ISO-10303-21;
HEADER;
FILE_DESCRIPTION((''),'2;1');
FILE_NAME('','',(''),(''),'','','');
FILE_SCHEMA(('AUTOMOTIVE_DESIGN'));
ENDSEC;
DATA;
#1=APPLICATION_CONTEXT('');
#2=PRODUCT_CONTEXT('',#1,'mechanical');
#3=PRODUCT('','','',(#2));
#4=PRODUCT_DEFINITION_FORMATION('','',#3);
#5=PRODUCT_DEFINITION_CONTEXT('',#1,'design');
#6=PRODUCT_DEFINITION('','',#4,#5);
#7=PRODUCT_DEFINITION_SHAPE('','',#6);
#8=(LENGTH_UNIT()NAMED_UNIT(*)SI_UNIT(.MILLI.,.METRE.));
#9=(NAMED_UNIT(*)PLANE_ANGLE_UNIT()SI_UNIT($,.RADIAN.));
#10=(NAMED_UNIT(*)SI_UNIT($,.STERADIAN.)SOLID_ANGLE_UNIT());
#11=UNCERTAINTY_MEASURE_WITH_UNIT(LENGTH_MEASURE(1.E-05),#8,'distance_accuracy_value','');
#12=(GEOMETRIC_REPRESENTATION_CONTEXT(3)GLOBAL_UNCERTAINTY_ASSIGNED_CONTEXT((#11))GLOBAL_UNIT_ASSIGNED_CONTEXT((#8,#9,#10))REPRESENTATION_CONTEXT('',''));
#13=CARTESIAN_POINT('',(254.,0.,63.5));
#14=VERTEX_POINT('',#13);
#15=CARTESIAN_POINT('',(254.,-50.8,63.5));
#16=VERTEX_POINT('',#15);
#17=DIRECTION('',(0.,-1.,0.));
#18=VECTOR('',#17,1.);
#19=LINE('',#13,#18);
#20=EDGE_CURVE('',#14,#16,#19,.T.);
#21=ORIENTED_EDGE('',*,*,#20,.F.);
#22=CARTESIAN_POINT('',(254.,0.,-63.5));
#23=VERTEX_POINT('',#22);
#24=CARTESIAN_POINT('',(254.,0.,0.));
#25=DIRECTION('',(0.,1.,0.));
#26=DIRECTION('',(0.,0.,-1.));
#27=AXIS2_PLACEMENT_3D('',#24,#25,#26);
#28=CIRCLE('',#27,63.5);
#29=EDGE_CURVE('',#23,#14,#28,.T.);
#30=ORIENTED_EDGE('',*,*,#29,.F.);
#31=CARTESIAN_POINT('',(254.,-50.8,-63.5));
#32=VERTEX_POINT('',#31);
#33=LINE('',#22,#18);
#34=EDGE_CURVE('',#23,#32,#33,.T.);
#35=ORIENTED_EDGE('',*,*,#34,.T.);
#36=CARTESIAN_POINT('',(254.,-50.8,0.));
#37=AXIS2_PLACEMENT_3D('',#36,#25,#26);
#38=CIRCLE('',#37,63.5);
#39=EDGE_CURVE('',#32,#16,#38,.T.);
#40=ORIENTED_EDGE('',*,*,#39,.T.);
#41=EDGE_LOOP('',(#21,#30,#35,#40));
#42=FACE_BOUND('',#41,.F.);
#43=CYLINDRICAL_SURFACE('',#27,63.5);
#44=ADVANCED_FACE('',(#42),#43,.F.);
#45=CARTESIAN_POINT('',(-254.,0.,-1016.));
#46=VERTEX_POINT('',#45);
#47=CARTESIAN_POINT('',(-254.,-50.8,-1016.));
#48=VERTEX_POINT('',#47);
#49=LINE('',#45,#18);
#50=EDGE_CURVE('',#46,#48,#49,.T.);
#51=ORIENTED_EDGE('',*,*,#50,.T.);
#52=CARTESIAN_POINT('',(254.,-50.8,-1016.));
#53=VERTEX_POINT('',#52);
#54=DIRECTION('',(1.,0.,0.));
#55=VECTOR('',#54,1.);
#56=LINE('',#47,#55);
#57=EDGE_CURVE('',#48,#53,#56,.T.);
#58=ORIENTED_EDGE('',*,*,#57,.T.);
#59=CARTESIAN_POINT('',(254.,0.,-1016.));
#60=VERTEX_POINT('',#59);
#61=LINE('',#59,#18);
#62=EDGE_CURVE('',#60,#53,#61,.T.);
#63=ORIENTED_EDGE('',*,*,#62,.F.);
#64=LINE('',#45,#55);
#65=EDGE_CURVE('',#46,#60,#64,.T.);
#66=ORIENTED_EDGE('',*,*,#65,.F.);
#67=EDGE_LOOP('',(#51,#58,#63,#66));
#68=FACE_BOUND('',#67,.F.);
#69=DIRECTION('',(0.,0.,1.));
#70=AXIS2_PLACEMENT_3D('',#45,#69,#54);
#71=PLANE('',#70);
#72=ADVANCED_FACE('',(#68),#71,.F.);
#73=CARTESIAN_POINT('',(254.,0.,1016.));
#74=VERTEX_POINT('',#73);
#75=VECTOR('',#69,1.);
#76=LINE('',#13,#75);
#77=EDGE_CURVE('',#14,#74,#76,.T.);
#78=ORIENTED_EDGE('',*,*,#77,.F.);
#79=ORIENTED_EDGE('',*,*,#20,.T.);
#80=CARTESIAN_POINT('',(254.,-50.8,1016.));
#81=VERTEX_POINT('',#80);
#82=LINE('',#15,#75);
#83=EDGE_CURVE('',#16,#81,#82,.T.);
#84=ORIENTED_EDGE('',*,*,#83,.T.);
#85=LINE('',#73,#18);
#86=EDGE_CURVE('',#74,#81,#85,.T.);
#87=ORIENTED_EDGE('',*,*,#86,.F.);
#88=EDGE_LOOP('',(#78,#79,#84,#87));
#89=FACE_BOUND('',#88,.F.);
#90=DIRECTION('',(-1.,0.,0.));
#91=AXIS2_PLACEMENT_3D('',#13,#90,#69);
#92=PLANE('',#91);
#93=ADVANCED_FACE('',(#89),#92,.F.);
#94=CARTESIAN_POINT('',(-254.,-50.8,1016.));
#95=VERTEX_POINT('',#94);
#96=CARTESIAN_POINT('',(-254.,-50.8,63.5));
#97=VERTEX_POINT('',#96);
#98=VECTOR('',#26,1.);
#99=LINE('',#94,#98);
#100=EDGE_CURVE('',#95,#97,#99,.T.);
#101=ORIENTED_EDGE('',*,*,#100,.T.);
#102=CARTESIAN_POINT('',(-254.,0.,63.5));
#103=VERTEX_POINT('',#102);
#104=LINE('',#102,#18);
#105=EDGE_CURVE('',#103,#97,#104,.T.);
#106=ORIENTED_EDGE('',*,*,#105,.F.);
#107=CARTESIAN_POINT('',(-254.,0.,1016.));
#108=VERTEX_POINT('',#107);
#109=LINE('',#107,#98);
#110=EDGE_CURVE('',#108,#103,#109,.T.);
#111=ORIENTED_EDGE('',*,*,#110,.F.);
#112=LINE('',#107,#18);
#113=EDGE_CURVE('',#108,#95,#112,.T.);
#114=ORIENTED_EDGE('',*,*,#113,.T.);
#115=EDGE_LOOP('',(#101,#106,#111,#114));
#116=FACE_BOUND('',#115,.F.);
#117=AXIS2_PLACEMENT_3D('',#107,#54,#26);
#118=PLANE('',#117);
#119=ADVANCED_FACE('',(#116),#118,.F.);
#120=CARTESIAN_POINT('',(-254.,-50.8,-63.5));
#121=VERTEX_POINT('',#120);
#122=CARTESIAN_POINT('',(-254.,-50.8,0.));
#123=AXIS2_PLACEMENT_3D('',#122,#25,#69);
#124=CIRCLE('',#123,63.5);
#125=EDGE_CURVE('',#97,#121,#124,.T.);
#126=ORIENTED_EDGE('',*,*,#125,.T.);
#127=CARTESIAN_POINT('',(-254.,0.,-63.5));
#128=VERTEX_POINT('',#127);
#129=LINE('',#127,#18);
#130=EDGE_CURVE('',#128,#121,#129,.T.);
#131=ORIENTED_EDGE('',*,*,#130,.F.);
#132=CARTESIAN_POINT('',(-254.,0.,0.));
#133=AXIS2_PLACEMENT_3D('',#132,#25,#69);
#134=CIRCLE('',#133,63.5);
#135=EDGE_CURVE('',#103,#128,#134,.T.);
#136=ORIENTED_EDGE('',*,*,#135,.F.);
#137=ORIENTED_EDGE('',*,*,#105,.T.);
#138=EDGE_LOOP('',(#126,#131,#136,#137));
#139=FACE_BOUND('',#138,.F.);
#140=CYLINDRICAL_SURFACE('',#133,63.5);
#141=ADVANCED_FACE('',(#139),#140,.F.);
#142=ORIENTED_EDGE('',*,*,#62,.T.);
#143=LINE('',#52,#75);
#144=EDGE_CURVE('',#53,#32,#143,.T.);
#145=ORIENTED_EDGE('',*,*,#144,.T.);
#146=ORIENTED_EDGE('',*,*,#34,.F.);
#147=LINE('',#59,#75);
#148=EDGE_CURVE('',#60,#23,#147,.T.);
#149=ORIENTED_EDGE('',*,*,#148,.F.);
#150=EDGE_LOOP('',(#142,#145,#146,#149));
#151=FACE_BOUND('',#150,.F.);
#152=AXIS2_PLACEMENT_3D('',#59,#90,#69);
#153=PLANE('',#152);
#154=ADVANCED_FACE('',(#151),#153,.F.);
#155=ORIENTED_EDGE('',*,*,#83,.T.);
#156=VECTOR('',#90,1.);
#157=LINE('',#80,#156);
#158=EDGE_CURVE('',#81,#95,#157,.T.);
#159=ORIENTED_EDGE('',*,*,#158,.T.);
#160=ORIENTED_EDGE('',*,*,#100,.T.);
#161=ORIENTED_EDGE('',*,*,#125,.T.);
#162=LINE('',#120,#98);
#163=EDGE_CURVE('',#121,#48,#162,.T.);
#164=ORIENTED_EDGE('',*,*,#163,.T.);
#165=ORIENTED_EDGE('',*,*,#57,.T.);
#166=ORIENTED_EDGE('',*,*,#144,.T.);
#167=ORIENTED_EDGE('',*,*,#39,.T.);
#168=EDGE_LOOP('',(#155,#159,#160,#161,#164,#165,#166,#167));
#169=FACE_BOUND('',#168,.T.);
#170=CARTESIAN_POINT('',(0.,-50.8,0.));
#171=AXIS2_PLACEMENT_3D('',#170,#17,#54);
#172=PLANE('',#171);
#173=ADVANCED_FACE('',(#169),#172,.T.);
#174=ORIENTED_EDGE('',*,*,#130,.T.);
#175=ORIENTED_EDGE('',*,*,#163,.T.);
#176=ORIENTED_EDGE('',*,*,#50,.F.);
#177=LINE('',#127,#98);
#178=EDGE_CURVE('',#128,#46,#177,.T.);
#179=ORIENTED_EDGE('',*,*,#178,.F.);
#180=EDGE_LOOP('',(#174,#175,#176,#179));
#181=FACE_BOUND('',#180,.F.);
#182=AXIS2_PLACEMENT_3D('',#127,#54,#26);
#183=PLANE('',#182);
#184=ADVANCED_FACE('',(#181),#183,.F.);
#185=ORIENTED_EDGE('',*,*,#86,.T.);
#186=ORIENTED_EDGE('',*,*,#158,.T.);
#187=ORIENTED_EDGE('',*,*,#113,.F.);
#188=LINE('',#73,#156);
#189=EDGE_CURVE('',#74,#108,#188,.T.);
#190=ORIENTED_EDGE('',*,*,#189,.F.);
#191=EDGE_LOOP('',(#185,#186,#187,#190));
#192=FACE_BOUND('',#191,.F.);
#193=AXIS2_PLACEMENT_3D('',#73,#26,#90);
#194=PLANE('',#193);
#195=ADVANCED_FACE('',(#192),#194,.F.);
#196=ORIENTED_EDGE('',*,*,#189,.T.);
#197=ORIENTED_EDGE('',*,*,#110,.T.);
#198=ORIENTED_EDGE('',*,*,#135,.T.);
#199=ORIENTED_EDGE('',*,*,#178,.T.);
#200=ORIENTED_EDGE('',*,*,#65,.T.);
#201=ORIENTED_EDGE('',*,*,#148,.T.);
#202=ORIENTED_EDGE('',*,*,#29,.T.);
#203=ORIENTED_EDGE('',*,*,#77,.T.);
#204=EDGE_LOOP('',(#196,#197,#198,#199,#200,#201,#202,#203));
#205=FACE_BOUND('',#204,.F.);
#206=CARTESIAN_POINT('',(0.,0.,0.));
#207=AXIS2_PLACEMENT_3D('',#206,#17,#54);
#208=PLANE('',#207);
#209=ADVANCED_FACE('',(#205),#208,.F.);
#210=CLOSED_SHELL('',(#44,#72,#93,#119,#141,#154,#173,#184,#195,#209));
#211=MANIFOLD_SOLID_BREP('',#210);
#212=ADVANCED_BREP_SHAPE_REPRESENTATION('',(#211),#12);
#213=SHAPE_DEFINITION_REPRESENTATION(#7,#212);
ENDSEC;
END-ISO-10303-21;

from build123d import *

# Parameters (mm, degrees)
F1_DEPTH = 50.8


with BuildPart() as f1:
    # F0 (on Front) → F1 (new body)
    with BuildSketch(Plane.XZ):
        with BuildLine():
            Line((254, 1016), (-254, 1016))
            Line((-254, 1016), (-254, 63.5))
            ThreePointArc((-254, 63.5), (-190.5, 0), (-254, -63.5))
            Line((-254, -63.5), (-254, -1016))
            Line((-254, -1016), (254, -1016))
            Line((254, -1016), (254, -63.5))
            ThreePointArc((254, -63.5), (190.5, 0), (254, 63.5))
            Line((254, 63.5), (254, 1016))
        make_face()
    extrude(amount=F1_DEPTH)


solid = f1.part
